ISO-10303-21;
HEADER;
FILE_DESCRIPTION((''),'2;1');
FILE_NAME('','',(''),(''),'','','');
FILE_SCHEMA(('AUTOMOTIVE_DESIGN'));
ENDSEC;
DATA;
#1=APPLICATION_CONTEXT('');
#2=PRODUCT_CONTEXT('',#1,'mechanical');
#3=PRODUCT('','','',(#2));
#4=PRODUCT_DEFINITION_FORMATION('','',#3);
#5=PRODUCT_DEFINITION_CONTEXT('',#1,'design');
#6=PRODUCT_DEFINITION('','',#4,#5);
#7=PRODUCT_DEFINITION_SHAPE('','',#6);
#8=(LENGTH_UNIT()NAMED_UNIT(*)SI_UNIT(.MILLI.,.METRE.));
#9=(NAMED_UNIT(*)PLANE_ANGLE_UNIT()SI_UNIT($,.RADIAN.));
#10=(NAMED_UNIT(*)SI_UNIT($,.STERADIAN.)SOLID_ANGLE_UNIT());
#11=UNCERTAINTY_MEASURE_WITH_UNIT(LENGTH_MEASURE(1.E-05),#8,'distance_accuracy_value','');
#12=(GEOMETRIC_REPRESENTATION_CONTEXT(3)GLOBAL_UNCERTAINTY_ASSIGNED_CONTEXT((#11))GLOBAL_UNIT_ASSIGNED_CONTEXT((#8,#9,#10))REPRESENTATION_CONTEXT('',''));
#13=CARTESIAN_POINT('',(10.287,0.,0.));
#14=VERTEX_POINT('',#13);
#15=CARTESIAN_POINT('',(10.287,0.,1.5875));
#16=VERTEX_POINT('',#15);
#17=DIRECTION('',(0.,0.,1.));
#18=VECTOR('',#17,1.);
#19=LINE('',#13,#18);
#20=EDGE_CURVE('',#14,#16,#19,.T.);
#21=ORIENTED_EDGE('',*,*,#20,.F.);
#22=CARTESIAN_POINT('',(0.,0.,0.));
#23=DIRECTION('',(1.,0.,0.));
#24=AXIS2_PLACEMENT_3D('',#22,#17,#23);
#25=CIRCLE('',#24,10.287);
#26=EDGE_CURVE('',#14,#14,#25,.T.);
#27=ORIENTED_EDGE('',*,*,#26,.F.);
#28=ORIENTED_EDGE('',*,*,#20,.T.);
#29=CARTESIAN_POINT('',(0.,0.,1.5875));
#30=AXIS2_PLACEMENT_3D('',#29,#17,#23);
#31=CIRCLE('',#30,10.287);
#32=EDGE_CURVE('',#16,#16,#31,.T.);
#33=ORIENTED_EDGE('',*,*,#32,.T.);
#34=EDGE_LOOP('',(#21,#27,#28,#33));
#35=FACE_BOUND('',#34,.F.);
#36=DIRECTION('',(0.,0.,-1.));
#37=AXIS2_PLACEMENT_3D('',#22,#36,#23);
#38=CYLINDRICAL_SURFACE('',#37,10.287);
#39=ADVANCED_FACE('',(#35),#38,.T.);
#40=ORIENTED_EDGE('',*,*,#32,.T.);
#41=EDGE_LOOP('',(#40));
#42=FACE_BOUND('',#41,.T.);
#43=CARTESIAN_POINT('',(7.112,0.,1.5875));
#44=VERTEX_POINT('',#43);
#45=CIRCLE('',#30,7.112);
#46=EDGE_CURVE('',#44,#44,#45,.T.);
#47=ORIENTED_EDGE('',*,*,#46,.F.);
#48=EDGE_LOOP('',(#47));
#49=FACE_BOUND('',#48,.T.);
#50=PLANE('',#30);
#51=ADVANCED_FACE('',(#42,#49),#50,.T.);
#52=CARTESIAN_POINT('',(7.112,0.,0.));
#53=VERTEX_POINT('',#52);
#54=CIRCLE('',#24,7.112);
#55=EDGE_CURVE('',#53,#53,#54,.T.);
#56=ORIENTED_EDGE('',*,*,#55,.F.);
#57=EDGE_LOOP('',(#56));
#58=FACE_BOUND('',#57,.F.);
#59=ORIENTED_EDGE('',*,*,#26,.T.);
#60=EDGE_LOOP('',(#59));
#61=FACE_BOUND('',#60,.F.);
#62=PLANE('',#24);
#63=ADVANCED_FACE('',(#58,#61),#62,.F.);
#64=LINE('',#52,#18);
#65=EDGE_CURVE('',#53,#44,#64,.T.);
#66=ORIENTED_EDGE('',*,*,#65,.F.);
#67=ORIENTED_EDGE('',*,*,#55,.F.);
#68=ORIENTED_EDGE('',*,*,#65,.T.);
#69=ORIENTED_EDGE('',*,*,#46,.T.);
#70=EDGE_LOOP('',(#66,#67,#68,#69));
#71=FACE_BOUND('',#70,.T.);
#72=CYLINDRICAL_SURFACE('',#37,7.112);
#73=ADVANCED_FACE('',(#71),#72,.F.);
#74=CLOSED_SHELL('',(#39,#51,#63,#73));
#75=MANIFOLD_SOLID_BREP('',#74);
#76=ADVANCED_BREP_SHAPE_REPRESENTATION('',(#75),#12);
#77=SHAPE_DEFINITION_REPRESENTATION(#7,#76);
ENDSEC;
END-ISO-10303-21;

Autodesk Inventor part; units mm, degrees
ref_plane "YZ Plane" through (0, 0, 0) normal (1, 0, 0) x (0, 1, 0)
ref_plane "XZ Plane" through (0, 0, 0) normal (0, 1, 0) x (-1, 0, 0)
ref_plane "XY Plane" through (0, 0, 0) normal (0, 0, 1) x (1, 0, 0)
sketch "Sketch1" plane through (0, 0, 0) normal (0, 0, 1) x (1, 0, 0)
  circle A0 centre (0, 0) radius 7.112
  circle A1 centre (0, 0) radius 10.287
  dimension "d0" = 14.224
  dimension "d1" = 3.175
extrude "Extrusion1" add sketch "Sketch1" along normal blind 1.5875
properties part number "GP-SP-002" material "ABS Plastic"
